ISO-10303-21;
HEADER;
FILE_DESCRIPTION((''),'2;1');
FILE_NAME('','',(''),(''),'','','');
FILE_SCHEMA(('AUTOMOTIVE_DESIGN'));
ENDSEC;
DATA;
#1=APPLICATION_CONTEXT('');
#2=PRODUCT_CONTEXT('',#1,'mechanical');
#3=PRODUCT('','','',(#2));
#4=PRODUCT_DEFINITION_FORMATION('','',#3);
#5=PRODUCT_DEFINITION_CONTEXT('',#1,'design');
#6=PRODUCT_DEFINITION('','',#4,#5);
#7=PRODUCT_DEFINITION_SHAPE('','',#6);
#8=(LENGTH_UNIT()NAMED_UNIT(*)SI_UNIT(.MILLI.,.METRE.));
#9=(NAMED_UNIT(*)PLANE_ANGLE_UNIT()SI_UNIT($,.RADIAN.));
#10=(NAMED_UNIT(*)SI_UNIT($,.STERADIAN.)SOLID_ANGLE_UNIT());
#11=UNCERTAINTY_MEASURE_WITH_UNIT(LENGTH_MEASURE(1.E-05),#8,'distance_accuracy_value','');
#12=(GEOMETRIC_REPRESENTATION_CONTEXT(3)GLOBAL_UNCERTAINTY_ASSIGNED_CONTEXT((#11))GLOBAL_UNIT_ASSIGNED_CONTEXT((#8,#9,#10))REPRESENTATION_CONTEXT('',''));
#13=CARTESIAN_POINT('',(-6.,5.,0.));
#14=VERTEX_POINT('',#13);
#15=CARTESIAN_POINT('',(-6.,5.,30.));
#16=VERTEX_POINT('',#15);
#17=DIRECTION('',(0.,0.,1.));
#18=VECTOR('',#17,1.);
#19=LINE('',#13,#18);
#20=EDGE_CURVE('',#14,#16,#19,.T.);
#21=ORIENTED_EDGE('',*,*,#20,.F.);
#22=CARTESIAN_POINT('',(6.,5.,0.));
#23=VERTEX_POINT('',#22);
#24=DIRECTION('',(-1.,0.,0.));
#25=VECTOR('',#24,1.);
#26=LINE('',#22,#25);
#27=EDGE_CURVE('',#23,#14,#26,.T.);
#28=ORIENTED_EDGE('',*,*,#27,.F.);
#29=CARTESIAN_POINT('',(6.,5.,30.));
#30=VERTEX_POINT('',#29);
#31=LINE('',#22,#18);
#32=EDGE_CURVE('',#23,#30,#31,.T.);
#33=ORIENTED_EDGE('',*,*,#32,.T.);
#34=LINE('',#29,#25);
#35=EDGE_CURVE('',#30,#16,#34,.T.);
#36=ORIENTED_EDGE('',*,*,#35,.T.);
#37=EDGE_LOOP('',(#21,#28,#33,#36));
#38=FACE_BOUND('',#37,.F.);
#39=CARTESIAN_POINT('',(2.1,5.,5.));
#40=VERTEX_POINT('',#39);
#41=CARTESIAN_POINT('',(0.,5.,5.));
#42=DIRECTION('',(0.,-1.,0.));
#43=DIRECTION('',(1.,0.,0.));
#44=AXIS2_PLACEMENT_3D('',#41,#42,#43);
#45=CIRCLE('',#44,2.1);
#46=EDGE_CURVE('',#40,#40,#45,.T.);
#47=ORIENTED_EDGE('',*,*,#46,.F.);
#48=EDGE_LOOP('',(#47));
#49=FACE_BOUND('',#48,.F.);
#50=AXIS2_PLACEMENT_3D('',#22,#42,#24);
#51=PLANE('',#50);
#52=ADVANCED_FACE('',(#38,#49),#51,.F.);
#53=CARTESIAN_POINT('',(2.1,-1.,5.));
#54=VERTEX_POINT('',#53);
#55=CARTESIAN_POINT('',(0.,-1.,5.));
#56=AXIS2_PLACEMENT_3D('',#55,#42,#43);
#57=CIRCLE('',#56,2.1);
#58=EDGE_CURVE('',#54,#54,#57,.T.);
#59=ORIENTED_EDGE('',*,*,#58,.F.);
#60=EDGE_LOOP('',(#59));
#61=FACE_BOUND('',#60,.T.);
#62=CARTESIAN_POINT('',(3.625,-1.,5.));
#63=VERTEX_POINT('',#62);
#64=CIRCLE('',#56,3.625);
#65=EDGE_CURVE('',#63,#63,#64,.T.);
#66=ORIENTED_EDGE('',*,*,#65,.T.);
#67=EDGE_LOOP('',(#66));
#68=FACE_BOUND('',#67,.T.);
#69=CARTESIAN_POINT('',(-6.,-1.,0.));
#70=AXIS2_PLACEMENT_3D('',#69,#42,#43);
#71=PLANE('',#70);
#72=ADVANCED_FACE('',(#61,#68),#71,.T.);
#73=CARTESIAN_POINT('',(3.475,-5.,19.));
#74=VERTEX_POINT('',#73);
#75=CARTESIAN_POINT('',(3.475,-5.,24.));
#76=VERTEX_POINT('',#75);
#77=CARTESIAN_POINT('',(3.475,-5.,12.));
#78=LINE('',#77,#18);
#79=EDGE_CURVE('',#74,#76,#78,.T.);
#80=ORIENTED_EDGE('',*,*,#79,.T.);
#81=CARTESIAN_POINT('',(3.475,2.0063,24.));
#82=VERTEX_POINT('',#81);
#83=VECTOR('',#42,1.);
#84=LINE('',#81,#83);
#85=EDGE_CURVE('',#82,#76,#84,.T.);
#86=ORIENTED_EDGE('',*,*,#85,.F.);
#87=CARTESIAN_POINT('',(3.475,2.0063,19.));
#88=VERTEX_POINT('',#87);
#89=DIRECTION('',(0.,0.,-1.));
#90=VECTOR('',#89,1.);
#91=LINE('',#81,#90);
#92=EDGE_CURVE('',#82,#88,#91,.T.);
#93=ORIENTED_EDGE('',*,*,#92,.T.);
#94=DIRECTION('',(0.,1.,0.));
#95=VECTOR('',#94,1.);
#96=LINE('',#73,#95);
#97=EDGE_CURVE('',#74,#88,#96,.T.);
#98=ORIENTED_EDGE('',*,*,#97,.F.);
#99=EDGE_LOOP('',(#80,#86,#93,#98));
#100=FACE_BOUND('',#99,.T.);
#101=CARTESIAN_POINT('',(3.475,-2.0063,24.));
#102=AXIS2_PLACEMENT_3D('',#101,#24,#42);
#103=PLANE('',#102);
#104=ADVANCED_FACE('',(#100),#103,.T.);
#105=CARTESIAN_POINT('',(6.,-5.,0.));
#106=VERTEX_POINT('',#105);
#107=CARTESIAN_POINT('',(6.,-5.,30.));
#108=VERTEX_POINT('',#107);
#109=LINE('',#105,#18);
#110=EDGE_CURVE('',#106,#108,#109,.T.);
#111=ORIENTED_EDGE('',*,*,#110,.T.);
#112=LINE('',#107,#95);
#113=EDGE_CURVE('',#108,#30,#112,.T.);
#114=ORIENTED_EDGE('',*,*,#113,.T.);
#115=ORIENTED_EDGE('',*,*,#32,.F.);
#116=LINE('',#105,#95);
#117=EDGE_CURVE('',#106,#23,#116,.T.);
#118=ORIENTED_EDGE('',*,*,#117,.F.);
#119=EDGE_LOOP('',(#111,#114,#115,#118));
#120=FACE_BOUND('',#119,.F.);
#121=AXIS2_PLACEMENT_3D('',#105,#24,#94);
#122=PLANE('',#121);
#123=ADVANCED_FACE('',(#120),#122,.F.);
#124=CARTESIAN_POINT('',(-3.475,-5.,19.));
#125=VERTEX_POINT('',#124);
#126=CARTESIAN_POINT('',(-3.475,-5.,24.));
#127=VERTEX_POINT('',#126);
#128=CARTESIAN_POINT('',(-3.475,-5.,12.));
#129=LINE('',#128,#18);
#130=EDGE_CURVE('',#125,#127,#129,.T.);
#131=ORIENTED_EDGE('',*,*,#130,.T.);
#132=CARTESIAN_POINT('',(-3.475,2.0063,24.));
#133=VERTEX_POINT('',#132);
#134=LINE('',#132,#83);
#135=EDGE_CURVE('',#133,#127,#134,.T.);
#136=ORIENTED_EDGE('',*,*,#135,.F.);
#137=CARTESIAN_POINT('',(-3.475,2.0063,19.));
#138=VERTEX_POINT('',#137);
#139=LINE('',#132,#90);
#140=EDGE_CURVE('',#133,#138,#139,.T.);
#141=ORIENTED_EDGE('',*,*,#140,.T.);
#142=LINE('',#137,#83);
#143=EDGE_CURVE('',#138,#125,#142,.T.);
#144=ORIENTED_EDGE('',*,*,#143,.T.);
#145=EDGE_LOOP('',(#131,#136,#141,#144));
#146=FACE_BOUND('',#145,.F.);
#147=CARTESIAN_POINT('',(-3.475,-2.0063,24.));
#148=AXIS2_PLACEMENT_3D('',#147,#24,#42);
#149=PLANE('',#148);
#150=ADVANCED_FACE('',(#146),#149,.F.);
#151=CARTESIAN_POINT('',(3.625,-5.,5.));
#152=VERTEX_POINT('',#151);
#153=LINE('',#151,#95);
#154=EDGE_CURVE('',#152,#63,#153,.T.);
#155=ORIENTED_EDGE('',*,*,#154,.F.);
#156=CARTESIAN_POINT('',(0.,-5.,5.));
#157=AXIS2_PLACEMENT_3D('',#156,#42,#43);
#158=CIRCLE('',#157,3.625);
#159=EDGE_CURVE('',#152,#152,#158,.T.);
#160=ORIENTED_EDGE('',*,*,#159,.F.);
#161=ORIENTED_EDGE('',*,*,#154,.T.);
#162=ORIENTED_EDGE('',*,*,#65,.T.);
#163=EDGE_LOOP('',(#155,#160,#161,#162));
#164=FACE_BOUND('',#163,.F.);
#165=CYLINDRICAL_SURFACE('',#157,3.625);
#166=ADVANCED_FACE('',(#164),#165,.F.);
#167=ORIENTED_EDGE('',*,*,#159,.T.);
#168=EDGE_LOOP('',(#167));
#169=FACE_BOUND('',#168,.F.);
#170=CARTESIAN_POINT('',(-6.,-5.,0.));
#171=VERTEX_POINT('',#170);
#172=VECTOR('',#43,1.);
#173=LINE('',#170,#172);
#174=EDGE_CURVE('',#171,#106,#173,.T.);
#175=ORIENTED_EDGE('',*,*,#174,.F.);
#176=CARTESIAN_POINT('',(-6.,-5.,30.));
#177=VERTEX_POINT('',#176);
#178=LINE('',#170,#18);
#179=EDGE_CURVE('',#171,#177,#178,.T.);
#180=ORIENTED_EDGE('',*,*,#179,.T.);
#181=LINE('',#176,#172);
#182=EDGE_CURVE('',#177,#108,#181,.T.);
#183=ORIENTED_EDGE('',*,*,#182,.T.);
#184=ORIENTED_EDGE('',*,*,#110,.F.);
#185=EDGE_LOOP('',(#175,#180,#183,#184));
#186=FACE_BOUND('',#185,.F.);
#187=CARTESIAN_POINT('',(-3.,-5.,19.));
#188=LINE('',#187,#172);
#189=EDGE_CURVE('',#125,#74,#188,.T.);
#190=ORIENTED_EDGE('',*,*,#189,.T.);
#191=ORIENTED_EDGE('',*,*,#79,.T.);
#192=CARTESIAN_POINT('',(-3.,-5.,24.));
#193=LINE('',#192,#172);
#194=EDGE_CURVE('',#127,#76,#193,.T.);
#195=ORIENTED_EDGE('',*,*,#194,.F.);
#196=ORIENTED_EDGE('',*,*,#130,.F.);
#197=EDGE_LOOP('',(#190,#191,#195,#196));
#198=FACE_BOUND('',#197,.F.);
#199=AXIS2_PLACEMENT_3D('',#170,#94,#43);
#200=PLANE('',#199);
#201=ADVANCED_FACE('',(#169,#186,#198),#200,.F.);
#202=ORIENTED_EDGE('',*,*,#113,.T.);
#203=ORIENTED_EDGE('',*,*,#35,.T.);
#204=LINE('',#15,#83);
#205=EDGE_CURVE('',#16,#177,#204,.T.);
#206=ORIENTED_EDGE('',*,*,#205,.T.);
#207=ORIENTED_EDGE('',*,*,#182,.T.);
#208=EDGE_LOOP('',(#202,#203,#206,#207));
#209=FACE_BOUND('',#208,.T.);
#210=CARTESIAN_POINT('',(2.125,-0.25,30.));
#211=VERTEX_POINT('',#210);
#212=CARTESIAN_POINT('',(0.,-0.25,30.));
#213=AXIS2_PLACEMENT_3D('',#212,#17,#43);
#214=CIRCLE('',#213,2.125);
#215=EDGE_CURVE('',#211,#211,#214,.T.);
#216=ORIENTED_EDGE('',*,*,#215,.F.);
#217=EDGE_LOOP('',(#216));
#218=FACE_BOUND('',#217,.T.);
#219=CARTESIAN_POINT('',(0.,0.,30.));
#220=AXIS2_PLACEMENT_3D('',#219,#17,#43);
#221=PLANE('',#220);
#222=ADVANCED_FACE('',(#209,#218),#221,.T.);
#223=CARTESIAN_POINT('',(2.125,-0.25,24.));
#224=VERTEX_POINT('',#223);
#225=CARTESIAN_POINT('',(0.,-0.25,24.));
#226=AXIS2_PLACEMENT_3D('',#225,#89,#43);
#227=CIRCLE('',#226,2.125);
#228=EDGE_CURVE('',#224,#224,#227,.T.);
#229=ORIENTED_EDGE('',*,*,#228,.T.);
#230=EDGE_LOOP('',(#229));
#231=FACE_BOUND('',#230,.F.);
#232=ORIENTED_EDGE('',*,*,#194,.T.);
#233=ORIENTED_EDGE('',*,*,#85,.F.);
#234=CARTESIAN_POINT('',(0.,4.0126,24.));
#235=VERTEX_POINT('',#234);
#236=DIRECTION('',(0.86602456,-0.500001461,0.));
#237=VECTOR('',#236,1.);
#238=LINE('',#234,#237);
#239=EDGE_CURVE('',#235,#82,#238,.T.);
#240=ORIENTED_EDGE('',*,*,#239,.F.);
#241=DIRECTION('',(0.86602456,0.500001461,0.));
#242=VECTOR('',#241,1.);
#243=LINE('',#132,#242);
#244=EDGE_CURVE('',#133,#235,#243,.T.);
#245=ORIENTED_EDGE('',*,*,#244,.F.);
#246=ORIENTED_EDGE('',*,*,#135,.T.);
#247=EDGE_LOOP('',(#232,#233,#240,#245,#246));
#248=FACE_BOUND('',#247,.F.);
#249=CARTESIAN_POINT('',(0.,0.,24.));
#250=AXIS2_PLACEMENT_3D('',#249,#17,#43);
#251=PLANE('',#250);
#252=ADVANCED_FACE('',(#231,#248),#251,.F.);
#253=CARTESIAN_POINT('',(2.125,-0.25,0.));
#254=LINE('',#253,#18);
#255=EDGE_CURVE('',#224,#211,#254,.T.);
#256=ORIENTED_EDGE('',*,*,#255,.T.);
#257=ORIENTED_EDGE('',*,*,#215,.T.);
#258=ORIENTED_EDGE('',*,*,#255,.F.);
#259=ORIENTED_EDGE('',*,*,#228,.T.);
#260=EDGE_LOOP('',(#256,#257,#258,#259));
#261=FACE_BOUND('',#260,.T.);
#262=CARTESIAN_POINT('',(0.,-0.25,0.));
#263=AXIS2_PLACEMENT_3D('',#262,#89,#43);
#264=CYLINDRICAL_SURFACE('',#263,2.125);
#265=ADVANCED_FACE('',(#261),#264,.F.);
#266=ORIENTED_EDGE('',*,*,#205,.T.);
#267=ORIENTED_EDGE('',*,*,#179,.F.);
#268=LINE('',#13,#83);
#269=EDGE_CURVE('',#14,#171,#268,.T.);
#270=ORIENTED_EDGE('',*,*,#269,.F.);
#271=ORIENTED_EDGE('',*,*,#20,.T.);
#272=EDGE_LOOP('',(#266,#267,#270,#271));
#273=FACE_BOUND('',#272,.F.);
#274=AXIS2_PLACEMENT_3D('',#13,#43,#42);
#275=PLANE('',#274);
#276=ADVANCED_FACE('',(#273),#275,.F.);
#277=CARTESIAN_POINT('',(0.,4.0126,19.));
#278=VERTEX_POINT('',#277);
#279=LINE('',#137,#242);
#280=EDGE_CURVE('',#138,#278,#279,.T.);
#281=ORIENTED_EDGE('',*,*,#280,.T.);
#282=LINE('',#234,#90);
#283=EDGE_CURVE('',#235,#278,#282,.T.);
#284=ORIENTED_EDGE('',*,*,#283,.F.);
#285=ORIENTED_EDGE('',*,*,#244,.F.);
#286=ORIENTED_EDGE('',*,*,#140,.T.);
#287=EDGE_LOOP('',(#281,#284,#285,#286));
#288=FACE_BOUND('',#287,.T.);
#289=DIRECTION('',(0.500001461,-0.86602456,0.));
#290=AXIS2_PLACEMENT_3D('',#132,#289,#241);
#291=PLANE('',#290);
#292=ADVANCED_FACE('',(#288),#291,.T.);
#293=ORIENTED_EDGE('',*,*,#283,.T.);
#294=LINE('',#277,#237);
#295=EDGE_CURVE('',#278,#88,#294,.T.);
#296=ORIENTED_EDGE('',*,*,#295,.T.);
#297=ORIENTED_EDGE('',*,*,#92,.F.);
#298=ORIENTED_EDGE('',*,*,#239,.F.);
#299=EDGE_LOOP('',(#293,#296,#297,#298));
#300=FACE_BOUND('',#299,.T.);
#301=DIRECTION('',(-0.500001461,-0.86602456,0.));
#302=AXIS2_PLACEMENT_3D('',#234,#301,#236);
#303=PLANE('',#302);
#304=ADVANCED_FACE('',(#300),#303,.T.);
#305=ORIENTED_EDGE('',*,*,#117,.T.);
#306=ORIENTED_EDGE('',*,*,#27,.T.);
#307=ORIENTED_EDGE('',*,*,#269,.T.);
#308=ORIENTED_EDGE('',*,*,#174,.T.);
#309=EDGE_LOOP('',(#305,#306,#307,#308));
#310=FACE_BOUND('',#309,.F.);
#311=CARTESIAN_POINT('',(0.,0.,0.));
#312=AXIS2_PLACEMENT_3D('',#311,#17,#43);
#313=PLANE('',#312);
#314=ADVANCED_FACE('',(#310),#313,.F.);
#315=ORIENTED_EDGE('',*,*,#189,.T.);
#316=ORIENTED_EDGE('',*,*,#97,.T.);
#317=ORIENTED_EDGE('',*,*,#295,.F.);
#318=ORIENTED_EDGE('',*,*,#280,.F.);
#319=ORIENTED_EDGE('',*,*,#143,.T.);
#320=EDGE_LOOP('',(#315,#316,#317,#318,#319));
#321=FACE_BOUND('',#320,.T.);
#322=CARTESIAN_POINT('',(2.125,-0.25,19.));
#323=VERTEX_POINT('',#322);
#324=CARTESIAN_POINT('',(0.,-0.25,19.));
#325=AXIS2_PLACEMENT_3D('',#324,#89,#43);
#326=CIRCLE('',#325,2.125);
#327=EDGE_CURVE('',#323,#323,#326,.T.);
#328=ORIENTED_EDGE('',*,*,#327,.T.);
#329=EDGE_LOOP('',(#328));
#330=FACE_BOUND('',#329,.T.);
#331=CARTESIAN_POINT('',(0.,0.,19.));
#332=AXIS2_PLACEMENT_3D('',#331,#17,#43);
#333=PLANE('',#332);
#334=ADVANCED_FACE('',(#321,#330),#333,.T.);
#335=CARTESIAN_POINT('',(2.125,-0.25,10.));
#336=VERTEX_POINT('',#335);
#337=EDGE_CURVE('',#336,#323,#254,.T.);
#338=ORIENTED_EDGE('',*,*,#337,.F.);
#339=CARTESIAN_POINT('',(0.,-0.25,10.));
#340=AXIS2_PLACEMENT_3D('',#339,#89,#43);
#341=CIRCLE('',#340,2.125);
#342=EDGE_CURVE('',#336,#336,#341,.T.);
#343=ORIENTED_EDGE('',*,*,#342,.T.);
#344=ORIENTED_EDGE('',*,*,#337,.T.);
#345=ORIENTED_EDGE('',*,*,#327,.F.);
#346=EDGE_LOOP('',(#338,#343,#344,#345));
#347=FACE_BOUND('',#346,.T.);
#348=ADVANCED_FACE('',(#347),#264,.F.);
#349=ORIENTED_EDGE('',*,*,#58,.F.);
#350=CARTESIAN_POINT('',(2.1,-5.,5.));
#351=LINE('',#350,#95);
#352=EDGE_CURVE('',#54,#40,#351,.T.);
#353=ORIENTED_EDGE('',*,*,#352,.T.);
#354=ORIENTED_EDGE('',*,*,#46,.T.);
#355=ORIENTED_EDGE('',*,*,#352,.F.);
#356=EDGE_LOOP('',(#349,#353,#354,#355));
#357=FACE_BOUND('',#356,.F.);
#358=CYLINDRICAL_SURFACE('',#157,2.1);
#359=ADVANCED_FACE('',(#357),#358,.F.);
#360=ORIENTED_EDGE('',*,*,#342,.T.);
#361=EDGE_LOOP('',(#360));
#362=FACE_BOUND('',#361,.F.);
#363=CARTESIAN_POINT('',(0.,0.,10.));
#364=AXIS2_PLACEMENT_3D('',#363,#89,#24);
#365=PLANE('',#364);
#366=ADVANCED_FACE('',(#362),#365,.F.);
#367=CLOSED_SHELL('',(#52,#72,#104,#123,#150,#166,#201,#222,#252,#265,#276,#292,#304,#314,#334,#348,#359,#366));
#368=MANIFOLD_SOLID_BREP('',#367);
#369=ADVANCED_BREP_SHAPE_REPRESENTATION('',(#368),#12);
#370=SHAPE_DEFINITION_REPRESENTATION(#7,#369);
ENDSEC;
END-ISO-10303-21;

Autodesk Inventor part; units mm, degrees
ref_plane "YZ Plane" through (0, 0, 0) normal (1, 0, 0) x (0, 1, 0)
ref_plane "XZ Plane" through (0, 0, 0) normal (0, 1, 0) x (-1, 0, 0)
sketch "Sketch1" plane through (0, 0, 0) normal (0, 0, 1) x (1, 0, 0)
  line L0 (-6, -5) -> (6, -5)
  line L1 (6, -5) -> (6, 5)
  line L2 (6, 5) -> (-6, 5)
  line L3 (-6, 5) -> (-6, -5)
  line L4 (-6, -5) -> (6, 5) construction
  line L5 (6, -5) -> (-6, 5) construction
  circle A0 centre (0, -0.25) radius 2.125
  point P0 (0, 0)
  point P1 (0, 0)
  point P2 (0, 0)
  dimension "d0" = 12
  dimension "d1" = 10
  dimension "d2" = 4.25
  dimension "d18" = 0.25
extrude "Extrusion1" add sketch "Sketch1" along normal blind 30
sketch "Sketch2" plane through (-6, -5, 0) normal (0, -1, 0) x (1, 0, 0)
  circle A0 centre (6, 5) radius 2.1
  line L0 (0, 0) -> (12, 0) projected
  point P0 (6, 0)
  point P1 (6, 0)
  dimension "d5" = 4.2
  dimension "d6" = 5
sketch "Sketch3" plane through (0, 0, 0) normal (0, 0, -1) x (-1, 0, 0)
  line L0 (-6, -5) -> (-6, 5) projected
  line L1 (6, -5) -> (-6, -5) projected
  line L2 (6, 5) -> (6, -5) projected
  line L3 (-6, 5) -> (6, 5) projected
  circle A0 centre (0, -0.25) radius 2.125 projected
  point P0 (0, 0)
extrude "Extrusion2" add sketch "Sketch3" against normal blind 10 contours A0
extrude "Extrusion3" cut sketch "Sketch2" against normal through all
ref_plane "Work Plane1" through (0, 0, 24) normal (0, 0, 1) x (1, 0, 0)
sketch "Sketch4" plane through (0, 0, 24) normal (0, 0, 1) x (1, 0, 0)
  line L0 (3.475, -2.0063) -> (0, -4.0126) construction
  line L1 (0, -4.0126) -> (-3.475, -2.0063) construction
  line L2 (-3.475, -2.0063) -> (-3.475, 2.0063)
  line L3 (-3.475, 2.0063) -> (0, 4.0126)
  line L4 (0, 4.0126) -> (3.475, 2.0063)
  line L5 (3.475, 2.0063) -> (3.475, -2.0063)
  line L6 (3.475, -2.0063) -> (3.475, -9.9564)
  line L7 (-3.475, -2.0063) -> (-3.475, -9.9564)
  line L8 (-3.475, -9.9564) -> (3.475, -9.9564)
  point P0 (0, 0)
  point P1 (0, 0)
  dimension "d12" = 6.95
extrude "Extrusion4" cut sketch "Sketch4" against normal blind 5
sketch "Sketch5" plane through (-6, -5, 0) normal (0, -1, 0) x (1, 0, 0)
  circle A0 centre (6, 5) radius 2.1 projected
  circle A1 centre (6, 5) radius 3.625
  point P0 (6, 0)
  dimension "d15" = 7.25
extrude "Extrusion5" cut sketch "Sketch5" against normal blind 4
properties part number "mgn_screw_nut"
